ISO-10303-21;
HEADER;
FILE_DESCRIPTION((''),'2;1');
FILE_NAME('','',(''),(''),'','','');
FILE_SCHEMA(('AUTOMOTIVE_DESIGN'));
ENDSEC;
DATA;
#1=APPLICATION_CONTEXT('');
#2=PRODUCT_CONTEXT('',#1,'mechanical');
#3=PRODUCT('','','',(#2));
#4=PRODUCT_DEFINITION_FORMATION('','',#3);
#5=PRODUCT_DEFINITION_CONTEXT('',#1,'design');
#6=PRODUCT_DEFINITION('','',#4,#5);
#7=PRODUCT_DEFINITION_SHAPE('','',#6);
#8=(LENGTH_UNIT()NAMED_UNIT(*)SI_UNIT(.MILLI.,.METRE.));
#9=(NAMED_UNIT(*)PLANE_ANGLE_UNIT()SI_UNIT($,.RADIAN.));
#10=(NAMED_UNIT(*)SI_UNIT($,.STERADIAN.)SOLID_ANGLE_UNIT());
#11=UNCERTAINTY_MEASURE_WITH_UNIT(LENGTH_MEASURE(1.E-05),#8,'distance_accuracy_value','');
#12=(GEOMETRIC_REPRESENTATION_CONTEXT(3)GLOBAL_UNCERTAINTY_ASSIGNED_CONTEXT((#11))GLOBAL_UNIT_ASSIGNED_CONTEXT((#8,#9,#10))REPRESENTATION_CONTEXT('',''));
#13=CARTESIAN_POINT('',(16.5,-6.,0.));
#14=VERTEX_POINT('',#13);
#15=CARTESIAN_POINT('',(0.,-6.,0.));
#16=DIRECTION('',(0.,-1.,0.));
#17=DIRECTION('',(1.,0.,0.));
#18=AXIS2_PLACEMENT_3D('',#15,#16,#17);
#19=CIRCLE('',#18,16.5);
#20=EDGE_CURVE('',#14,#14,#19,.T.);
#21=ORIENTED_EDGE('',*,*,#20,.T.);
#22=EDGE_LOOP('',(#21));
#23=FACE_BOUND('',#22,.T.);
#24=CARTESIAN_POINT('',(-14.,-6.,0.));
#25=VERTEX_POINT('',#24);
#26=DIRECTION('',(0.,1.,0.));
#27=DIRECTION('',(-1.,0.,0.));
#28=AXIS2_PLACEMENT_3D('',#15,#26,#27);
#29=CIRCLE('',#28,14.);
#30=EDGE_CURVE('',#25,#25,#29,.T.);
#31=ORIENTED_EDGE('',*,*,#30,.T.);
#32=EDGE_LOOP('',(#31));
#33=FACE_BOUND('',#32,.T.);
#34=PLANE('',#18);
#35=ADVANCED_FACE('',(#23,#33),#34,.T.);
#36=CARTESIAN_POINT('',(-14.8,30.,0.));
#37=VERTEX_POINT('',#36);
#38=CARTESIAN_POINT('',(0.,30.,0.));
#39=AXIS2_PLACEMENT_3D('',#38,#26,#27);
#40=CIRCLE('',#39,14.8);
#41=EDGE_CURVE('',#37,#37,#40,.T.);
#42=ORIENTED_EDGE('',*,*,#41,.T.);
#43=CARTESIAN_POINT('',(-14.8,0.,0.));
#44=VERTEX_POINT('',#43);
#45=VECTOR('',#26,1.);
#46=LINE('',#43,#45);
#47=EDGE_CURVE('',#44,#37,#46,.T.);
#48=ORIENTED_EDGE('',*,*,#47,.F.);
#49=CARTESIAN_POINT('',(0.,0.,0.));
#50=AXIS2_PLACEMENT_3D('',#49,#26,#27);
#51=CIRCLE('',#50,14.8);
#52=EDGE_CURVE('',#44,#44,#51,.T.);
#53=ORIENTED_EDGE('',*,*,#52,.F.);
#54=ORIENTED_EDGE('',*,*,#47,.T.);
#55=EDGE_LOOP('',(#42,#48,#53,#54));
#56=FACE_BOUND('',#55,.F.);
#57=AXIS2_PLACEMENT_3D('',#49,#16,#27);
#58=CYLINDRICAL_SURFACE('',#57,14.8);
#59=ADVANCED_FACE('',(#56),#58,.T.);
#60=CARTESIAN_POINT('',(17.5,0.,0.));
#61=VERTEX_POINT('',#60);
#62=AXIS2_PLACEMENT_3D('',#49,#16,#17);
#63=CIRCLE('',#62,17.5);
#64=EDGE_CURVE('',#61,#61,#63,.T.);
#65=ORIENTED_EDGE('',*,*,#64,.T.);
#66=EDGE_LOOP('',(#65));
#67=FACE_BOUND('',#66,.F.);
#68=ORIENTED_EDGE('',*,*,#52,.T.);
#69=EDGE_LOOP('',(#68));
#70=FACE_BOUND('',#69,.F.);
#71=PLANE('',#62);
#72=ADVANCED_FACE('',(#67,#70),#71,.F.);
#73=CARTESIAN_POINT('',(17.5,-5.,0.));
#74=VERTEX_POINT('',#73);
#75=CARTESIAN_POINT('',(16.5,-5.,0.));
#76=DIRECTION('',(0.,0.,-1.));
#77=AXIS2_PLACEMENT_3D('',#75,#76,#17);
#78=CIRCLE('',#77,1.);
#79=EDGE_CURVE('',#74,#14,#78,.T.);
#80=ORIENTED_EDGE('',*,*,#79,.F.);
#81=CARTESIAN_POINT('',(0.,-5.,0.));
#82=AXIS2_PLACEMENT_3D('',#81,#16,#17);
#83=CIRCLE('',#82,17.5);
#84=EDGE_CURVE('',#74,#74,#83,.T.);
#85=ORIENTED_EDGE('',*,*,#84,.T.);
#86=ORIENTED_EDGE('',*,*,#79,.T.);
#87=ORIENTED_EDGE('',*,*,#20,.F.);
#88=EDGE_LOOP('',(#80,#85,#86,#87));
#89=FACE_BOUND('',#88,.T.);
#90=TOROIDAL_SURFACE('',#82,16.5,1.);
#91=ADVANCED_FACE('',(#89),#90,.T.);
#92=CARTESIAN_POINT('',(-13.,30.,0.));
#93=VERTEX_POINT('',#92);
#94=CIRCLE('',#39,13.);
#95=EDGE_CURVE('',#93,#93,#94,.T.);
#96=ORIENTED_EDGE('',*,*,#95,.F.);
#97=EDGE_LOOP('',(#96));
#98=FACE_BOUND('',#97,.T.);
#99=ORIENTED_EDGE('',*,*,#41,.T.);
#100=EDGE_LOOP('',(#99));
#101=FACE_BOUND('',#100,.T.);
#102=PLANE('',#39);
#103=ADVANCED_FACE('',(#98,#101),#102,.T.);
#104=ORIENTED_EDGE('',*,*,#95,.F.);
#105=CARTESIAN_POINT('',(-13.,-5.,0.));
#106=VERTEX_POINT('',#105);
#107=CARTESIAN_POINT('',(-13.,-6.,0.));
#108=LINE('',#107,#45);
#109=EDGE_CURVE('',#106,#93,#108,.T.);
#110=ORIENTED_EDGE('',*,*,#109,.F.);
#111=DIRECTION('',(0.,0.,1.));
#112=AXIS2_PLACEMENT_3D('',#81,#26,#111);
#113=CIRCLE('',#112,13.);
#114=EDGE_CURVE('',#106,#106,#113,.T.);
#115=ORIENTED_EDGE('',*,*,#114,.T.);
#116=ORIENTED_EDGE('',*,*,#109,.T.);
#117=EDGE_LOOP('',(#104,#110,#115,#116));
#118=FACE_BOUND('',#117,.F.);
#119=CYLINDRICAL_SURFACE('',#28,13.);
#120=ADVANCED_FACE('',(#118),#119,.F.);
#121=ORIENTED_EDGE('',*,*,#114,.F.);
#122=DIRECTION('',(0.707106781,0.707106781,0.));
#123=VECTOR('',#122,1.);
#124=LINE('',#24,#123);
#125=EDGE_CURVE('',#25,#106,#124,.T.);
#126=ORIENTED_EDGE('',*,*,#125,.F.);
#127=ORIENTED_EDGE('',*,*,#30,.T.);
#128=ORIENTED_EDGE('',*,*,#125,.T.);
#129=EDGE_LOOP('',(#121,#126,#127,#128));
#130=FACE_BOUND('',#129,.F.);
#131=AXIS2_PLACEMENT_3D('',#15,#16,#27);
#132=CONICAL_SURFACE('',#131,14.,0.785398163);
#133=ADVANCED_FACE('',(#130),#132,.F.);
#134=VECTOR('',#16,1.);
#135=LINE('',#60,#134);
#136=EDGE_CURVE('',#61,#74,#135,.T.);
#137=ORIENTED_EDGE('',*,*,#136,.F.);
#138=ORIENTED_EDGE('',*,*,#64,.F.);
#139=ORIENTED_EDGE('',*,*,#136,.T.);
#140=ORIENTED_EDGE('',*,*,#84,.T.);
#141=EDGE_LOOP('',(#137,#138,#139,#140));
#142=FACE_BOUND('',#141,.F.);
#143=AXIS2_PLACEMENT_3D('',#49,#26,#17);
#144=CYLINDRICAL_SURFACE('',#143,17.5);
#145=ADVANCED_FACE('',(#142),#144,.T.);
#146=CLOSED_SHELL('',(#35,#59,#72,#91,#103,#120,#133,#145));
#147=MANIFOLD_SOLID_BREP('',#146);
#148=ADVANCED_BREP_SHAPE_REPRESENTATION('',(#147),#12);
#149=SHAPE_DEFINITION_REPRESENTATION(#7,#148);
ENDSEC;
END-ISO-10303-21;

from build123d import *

# Parameters (mm, degrees)
F0_R           = 17.5
F1_DEPTH       = 6
F2_R           = 1
F3_R           = 14.8
F4_DEPTH       = 30
F6_D           = 26
F6_DEPTH       = 60
F6_CSINK_D     = 28
F6_CSINK_ANGLE = 90


with BuildPart() as f1:
    # F0 (on Front) → F1 (new body)
    with BuildSketch(Plane.XZ):
        Circle(F0_R)
    extrude(amount=F1_DEPTH)

    # F2
    f2_edges = [f1.edges().sort_by_distance(p)[0] for p in [
        (-17.5, -6, 0),
    ]]
    fillet(f2_edges, radius=F2_R)

    # F3 (on face) → F4 (join)
    with BuildSketch(Plane(origin=(0, 0, 0), x_dir=(-1, 0, 0), z_dir=(0, 1, 0))):
        Circle(F3_R)
    extrude(amount=F4_DEPTH)

    # F6
    with Locations(Plane.XZ.offset(6)):
        with Locations((0, 0)):
            CounterSinkHole(F6_D / 2, F6_CSINK_D / 2, depth=F6_DEPTH, counter_sink_angle=F6_CSINK_ANGLE)


solid = f1.part
